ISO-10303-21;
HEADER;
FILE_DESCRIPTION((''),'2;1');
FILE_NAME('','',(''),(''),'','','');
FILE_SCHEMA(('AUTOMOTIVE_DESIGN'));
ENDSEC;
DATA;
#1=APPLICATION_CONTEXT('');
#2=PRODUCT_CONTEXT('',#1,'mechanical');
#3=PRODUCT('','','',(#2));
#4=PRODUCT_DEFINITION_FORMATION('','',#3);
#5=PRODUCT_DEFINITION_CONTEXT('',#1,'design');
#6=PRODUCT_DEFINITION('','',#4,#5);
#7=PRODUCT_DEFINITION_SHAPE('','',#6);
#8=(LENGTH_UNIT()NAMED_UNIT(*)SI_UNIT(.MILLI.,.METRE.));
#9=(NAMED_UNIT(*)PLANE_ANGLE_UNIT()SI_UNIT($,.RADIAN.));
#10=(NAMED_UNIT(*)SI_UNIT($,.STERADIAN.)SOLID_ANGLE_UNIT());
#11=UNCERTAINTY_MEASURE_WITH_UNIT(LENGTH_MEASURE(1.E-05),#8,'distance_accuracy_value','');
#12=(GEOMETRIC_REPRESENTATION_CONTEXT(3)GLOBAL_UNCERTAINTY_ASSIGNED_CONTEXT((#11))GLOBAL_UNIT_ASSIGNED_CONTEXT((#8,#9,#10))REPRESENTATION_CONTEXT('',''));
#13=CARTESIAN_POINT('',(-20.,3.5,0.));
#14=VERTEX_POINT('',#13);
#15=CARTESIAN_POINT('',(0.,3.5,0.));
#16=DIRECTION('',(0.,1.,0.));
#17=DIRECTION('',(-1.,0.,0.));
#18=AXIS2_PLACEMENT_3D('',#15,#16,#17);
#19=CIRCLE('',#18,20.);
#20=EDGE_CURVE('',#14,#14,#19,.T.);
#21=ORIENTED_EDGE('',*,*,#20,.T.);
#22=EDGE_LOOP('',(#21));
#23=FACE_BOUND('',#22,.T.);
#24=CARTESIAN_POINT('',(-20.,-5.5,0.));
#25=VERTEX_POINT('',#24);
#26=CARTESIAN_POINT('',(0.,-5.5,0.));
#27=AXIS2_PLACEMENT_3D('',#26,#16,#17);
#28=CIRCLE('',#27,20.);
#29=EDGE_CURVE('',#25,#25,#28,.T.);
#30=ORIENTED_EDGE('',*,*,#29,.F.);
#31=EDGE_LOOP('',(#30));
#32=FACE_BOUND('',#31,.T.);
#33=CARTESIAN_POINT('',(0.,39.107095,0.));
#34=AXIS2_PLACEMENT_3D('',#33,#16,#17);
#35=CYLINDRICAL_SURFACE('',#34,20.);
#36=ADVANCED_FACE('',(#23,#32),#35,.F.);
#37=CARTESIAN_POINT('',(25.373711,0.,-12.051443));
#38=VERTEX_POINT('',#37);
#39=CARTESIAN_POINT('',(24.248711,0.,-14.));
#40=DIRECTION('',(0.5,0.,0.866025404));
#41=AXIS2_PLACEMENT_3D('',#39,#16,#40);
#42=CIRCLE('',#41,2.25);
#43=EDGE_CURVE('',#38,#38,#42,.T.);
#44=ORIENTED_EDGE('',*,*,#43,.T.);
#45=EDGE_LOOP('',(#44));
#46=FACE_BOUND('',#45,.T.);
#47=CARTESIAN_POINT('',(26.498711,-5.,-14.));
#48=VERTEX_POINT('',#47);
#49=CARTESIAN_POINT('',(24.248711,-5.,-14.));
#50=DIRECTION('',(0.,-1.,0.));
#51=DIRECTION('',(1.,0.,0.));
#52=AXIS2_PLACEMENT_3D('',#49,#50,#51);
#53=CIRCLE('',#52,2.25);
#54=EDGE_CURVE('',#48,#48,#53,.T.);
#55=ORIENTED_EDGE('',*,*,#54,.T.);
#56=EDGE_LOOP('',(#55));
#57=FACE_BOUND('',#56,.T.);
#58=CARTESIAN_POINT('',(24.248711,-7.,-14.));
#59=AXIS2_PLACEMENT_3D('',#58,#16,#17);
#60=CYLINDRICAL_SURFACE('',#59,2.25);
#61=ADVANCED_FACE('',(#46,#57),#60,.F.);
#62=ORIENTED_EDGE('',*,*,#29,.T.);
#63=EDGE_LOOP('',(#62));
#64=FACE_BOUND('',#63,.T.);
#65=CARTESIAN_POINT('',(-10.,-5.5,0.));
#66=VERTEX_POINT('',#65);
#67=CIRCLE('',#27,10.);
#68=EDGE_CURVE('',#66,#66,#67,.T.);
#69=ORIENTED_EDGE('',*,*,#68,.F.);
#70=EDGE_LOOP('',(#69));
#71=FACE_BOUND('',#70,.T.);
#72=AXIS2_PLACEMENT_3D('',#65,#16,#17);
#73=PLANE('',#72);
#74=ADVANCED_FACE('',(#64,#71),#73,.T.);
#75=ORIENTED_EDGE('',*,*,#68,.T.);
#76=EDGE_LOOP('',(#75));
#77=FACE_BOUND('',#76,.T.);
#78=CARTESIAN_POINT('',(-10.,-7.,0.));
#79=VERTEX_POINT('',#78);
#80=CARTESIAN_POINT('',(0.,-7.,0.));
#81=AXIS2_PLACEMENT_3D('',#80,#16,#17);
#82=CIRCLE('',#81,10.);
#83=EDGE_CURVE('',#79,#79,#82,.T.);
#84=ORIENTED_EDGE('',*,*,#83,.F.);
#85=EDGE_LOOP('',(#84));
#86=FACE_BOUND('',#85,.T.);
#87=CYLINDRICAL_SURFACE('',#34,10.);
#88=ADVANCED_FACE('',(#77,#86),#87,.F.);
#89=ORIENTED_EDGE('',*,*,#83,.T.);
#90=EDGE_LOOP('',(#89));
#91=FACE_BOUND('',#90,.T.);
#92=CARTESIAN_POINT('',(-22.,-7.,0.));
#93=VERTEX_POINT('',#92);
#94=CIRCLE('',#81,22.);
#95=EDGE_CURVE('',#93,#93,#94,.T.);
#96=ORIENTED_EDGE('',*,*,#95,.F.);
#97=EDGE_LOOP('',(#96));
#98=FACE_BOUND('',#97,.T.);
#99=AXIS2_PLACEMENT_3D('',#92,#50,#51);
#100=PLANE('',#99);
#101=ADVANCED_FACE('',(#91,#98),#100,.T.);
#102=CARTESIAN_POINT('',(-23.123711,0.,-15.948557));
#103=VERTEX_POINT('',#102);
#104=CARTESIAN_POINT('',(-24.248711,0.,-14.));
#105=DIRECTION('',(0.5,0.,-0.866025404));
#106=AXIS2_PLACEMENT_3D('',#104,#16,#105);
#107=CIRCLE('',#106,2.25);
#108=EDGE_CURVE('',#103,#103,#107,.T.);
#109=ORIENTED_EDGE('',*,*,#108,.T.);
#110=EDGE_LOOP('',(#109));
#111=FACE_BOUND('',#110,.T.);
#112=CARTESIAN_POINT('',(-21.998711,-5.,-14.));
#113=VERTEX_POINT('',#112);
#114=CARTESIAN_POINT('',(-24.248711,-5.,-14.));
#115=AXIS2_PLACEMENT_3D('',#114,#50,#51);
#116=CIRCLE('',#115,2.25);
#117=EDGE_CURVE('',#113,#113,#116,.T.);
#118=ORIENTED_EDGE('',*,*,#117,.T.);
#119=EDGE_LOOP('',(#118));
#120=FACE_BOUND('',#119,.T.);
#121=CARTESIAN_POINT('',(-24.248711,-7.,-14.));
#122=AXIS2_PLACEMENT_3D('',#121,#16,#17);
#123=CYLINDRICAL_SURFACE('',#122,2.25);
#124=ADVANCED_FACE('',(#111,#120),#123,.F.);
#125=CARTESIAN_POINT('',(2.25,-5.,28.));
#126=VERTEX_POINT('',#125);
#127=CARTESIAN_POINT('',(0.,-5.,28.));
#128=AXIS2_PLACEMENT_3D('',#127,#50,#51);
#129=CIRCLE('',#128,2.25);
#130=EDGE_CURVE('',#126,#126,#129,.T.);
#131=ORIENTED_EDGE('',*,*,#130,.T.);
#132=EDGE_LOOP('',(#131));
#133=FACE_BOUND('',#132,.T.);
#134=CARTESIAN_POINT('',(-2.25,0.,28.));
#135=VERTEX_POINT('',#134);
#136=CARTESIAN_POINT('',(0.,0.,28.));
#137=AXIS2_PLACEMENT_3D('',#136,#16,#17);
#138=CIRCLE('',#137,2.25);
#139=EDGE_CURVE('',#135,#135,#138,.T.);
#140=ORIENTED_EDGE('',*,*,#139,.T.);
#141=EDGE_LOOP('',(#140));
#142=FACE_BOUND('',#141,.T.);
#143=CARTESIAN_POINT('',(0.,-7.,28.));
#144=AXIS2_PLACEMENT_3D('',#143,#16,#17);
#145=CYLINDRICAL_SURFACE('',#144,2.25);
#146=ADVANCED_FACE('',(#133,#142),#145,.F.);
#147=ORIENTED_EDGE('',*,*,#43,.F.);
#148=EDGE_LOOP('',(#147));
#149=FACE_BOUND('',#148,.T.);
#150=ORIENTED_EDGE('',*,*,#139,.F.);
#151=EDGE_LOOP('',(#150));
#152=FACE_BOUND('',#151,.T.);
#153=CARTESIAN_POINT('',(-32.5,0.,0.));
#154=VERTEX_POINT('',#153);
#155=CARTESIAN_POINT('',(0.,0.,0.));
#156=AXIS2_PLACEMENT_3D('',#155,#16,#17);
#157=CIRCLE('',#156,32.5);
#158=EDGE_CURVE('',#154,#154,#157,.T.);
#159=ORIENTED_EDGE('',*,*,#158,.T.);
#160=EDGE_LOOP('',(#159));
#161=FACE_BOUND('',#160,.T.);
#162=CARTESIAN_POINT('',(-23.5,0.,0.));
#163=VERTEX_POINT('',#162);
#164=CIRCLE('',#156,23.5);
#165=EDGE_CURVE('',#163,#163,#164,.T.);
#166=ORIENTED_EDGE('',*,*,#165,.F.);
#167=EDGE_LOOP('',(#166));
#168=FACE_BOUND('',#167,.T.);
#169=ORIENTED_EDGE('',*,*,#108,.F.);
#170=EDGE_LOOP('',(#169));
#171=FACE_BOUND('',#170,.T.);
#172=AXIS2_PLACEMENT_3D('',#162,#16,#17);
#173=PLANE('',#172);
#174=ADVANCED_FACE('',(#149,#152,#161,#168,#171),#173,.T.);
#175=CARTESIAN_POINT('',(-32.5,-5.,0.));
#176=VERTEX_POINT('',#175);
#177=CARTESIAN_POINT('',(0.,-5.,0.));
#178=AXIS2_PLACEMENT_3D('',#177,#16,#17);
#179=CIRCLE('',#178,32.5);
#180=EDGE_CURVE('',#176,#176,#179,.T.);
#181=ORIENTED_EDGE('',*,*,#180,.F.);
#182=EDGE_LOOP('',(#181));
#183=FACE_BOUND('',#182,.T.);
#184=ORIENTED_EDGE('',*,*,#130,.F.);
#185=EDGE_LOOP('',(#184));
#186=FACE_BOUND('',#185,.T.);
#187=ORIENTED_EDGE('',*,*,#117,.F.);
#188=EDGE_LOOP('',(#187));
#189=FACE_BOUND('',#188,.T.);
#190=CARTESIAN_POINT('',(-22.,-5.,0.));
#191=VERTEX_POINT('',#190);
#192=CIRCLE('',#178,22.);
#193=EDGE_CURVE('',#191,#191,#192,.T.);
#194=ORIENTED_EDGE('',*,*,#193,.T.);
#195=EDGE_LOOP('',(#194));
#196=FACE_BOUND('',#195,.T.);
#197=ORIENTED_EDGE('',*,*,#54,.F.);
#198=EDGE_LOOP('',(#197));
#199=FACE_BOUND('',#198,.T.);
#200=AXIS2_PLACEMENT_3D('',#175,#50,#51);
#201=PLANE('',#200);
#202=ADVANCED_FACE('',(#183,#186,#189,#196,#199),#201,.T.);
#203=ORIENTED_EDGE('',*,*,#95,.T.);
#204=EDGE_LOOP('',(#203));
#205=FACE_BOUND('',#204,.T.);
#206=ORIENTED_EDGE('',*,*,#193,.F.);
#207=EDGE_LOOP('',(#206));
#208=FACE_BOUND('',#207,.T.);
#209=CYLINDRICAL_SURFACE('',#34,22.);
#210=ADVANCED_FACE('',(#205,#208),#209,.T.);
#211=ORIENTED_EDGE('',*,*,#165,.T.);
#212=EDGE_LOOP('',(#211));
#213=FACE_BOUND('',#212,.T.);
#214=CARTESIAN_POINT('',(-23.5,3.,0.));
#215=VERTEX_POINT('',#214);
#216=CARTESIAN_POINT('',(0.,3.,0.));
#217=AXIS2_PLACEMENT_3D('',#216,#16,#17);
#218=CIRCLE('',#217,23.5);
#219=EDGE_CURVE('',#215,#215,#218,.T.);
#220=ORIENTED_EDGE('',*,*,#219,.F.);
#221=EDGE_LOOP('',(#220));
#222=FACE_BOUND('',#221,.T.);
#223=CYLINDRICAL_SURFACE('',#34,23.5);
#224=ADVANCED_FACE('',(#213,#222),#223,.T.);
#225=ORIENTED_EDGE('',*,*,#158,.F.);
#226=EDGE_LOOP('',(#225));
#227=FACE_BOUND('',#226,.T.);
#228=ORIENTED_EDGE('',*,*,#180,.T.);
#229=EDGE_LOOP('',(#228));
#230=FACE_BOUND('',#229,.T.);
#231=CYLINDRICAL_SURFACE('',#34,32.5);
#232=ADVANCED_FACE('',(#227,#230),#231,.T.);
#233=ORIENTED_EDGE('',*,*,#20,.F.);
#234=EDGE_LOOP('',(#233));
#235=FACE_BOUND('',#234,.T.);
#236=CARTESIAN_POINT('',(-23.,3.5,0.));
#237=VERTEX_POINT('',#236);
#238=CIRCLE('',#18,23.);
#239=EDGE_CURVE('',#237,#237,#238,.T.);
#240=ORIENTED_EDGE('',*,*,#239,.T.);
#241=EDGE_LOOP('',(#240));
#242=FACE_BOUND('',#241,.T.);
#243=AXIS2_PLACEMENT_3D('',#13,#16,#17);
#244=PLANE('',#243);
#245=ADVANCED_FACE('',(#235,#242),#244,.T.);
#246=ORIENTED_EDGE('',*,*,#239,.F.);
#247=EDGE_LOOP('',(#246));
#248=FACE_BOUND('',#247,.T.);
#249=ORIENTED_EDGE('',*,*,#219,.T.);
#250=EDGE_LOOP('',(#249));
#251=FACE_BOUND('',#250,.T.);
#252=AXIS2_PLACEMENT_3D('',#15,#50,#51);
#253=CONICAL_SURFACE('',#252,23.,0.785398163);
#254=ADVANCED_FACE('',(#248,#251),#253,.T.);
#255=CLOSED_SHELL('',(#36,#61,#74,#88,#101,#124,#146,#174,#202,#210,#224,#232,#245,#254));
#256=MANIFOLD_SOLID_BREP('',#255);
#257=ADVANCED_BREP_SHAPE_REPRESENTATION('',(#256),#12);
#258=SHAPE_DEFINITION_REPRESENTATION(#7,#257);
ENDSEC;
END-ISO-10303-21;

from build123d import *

# Parameters (mm, degrees)
ESQUISSE2_R                  = 2.25
ENL_V_MAT_EXTRU_1_DEPTH      = 47.491934784
R_P_TITION_CIRCULAIRE1_COUNT = 3


with BuildPart() as part:
    # Esquisse1 → Révolution1 (revolve)
    with BuildSketch(Plane.XY):
        Polygon((-10, -7), (-10, -5.5), (-20, -5.5), (-20, 3.5), (-23, 3.5), (-23.5, 3), (-23.5, 0), (-32.5, 0), (-32.5, -5), (-22, -5), (-22, -7), align=None)
    revolve(axis=Axis((0, 39.107095159, 0), (0, -1, 0)))

    # Esquisse2 → Enlèv. mat.-Extru.1 (cut, through all)
    with BuildSketch(Plane(origin=(0, 0, 0), x_dir=(-1, 0, 0), z_dir=(0, 1, 0))):
        with Locations((0, 28)):
            Circle(ESQUISSE2_R)
    enl_v_mat_extru_1 = extrude(amount=-ENL_V_MAT_EXTRU_1_DEPTH, mode=Mode.SUBTRACT)

    # Répétition circulaire1: Enlèv. mat.-Extru.1 ×3 about axis
    r_p_tition_circulaire1_axis = Axis((0, 0, 0), (0, 1, 0))
    for i in range(1, R_P_TITION_CIRCULAIRE1_COUNT):
        add(enl_v_mat_extru_1.rotate(r_p_tition_circulaire1_axis, i * 360 / R_P_TITION_CIRCULAIRE1_COUNT), mode=Mode.SUBTRACT)


solid = part.part
